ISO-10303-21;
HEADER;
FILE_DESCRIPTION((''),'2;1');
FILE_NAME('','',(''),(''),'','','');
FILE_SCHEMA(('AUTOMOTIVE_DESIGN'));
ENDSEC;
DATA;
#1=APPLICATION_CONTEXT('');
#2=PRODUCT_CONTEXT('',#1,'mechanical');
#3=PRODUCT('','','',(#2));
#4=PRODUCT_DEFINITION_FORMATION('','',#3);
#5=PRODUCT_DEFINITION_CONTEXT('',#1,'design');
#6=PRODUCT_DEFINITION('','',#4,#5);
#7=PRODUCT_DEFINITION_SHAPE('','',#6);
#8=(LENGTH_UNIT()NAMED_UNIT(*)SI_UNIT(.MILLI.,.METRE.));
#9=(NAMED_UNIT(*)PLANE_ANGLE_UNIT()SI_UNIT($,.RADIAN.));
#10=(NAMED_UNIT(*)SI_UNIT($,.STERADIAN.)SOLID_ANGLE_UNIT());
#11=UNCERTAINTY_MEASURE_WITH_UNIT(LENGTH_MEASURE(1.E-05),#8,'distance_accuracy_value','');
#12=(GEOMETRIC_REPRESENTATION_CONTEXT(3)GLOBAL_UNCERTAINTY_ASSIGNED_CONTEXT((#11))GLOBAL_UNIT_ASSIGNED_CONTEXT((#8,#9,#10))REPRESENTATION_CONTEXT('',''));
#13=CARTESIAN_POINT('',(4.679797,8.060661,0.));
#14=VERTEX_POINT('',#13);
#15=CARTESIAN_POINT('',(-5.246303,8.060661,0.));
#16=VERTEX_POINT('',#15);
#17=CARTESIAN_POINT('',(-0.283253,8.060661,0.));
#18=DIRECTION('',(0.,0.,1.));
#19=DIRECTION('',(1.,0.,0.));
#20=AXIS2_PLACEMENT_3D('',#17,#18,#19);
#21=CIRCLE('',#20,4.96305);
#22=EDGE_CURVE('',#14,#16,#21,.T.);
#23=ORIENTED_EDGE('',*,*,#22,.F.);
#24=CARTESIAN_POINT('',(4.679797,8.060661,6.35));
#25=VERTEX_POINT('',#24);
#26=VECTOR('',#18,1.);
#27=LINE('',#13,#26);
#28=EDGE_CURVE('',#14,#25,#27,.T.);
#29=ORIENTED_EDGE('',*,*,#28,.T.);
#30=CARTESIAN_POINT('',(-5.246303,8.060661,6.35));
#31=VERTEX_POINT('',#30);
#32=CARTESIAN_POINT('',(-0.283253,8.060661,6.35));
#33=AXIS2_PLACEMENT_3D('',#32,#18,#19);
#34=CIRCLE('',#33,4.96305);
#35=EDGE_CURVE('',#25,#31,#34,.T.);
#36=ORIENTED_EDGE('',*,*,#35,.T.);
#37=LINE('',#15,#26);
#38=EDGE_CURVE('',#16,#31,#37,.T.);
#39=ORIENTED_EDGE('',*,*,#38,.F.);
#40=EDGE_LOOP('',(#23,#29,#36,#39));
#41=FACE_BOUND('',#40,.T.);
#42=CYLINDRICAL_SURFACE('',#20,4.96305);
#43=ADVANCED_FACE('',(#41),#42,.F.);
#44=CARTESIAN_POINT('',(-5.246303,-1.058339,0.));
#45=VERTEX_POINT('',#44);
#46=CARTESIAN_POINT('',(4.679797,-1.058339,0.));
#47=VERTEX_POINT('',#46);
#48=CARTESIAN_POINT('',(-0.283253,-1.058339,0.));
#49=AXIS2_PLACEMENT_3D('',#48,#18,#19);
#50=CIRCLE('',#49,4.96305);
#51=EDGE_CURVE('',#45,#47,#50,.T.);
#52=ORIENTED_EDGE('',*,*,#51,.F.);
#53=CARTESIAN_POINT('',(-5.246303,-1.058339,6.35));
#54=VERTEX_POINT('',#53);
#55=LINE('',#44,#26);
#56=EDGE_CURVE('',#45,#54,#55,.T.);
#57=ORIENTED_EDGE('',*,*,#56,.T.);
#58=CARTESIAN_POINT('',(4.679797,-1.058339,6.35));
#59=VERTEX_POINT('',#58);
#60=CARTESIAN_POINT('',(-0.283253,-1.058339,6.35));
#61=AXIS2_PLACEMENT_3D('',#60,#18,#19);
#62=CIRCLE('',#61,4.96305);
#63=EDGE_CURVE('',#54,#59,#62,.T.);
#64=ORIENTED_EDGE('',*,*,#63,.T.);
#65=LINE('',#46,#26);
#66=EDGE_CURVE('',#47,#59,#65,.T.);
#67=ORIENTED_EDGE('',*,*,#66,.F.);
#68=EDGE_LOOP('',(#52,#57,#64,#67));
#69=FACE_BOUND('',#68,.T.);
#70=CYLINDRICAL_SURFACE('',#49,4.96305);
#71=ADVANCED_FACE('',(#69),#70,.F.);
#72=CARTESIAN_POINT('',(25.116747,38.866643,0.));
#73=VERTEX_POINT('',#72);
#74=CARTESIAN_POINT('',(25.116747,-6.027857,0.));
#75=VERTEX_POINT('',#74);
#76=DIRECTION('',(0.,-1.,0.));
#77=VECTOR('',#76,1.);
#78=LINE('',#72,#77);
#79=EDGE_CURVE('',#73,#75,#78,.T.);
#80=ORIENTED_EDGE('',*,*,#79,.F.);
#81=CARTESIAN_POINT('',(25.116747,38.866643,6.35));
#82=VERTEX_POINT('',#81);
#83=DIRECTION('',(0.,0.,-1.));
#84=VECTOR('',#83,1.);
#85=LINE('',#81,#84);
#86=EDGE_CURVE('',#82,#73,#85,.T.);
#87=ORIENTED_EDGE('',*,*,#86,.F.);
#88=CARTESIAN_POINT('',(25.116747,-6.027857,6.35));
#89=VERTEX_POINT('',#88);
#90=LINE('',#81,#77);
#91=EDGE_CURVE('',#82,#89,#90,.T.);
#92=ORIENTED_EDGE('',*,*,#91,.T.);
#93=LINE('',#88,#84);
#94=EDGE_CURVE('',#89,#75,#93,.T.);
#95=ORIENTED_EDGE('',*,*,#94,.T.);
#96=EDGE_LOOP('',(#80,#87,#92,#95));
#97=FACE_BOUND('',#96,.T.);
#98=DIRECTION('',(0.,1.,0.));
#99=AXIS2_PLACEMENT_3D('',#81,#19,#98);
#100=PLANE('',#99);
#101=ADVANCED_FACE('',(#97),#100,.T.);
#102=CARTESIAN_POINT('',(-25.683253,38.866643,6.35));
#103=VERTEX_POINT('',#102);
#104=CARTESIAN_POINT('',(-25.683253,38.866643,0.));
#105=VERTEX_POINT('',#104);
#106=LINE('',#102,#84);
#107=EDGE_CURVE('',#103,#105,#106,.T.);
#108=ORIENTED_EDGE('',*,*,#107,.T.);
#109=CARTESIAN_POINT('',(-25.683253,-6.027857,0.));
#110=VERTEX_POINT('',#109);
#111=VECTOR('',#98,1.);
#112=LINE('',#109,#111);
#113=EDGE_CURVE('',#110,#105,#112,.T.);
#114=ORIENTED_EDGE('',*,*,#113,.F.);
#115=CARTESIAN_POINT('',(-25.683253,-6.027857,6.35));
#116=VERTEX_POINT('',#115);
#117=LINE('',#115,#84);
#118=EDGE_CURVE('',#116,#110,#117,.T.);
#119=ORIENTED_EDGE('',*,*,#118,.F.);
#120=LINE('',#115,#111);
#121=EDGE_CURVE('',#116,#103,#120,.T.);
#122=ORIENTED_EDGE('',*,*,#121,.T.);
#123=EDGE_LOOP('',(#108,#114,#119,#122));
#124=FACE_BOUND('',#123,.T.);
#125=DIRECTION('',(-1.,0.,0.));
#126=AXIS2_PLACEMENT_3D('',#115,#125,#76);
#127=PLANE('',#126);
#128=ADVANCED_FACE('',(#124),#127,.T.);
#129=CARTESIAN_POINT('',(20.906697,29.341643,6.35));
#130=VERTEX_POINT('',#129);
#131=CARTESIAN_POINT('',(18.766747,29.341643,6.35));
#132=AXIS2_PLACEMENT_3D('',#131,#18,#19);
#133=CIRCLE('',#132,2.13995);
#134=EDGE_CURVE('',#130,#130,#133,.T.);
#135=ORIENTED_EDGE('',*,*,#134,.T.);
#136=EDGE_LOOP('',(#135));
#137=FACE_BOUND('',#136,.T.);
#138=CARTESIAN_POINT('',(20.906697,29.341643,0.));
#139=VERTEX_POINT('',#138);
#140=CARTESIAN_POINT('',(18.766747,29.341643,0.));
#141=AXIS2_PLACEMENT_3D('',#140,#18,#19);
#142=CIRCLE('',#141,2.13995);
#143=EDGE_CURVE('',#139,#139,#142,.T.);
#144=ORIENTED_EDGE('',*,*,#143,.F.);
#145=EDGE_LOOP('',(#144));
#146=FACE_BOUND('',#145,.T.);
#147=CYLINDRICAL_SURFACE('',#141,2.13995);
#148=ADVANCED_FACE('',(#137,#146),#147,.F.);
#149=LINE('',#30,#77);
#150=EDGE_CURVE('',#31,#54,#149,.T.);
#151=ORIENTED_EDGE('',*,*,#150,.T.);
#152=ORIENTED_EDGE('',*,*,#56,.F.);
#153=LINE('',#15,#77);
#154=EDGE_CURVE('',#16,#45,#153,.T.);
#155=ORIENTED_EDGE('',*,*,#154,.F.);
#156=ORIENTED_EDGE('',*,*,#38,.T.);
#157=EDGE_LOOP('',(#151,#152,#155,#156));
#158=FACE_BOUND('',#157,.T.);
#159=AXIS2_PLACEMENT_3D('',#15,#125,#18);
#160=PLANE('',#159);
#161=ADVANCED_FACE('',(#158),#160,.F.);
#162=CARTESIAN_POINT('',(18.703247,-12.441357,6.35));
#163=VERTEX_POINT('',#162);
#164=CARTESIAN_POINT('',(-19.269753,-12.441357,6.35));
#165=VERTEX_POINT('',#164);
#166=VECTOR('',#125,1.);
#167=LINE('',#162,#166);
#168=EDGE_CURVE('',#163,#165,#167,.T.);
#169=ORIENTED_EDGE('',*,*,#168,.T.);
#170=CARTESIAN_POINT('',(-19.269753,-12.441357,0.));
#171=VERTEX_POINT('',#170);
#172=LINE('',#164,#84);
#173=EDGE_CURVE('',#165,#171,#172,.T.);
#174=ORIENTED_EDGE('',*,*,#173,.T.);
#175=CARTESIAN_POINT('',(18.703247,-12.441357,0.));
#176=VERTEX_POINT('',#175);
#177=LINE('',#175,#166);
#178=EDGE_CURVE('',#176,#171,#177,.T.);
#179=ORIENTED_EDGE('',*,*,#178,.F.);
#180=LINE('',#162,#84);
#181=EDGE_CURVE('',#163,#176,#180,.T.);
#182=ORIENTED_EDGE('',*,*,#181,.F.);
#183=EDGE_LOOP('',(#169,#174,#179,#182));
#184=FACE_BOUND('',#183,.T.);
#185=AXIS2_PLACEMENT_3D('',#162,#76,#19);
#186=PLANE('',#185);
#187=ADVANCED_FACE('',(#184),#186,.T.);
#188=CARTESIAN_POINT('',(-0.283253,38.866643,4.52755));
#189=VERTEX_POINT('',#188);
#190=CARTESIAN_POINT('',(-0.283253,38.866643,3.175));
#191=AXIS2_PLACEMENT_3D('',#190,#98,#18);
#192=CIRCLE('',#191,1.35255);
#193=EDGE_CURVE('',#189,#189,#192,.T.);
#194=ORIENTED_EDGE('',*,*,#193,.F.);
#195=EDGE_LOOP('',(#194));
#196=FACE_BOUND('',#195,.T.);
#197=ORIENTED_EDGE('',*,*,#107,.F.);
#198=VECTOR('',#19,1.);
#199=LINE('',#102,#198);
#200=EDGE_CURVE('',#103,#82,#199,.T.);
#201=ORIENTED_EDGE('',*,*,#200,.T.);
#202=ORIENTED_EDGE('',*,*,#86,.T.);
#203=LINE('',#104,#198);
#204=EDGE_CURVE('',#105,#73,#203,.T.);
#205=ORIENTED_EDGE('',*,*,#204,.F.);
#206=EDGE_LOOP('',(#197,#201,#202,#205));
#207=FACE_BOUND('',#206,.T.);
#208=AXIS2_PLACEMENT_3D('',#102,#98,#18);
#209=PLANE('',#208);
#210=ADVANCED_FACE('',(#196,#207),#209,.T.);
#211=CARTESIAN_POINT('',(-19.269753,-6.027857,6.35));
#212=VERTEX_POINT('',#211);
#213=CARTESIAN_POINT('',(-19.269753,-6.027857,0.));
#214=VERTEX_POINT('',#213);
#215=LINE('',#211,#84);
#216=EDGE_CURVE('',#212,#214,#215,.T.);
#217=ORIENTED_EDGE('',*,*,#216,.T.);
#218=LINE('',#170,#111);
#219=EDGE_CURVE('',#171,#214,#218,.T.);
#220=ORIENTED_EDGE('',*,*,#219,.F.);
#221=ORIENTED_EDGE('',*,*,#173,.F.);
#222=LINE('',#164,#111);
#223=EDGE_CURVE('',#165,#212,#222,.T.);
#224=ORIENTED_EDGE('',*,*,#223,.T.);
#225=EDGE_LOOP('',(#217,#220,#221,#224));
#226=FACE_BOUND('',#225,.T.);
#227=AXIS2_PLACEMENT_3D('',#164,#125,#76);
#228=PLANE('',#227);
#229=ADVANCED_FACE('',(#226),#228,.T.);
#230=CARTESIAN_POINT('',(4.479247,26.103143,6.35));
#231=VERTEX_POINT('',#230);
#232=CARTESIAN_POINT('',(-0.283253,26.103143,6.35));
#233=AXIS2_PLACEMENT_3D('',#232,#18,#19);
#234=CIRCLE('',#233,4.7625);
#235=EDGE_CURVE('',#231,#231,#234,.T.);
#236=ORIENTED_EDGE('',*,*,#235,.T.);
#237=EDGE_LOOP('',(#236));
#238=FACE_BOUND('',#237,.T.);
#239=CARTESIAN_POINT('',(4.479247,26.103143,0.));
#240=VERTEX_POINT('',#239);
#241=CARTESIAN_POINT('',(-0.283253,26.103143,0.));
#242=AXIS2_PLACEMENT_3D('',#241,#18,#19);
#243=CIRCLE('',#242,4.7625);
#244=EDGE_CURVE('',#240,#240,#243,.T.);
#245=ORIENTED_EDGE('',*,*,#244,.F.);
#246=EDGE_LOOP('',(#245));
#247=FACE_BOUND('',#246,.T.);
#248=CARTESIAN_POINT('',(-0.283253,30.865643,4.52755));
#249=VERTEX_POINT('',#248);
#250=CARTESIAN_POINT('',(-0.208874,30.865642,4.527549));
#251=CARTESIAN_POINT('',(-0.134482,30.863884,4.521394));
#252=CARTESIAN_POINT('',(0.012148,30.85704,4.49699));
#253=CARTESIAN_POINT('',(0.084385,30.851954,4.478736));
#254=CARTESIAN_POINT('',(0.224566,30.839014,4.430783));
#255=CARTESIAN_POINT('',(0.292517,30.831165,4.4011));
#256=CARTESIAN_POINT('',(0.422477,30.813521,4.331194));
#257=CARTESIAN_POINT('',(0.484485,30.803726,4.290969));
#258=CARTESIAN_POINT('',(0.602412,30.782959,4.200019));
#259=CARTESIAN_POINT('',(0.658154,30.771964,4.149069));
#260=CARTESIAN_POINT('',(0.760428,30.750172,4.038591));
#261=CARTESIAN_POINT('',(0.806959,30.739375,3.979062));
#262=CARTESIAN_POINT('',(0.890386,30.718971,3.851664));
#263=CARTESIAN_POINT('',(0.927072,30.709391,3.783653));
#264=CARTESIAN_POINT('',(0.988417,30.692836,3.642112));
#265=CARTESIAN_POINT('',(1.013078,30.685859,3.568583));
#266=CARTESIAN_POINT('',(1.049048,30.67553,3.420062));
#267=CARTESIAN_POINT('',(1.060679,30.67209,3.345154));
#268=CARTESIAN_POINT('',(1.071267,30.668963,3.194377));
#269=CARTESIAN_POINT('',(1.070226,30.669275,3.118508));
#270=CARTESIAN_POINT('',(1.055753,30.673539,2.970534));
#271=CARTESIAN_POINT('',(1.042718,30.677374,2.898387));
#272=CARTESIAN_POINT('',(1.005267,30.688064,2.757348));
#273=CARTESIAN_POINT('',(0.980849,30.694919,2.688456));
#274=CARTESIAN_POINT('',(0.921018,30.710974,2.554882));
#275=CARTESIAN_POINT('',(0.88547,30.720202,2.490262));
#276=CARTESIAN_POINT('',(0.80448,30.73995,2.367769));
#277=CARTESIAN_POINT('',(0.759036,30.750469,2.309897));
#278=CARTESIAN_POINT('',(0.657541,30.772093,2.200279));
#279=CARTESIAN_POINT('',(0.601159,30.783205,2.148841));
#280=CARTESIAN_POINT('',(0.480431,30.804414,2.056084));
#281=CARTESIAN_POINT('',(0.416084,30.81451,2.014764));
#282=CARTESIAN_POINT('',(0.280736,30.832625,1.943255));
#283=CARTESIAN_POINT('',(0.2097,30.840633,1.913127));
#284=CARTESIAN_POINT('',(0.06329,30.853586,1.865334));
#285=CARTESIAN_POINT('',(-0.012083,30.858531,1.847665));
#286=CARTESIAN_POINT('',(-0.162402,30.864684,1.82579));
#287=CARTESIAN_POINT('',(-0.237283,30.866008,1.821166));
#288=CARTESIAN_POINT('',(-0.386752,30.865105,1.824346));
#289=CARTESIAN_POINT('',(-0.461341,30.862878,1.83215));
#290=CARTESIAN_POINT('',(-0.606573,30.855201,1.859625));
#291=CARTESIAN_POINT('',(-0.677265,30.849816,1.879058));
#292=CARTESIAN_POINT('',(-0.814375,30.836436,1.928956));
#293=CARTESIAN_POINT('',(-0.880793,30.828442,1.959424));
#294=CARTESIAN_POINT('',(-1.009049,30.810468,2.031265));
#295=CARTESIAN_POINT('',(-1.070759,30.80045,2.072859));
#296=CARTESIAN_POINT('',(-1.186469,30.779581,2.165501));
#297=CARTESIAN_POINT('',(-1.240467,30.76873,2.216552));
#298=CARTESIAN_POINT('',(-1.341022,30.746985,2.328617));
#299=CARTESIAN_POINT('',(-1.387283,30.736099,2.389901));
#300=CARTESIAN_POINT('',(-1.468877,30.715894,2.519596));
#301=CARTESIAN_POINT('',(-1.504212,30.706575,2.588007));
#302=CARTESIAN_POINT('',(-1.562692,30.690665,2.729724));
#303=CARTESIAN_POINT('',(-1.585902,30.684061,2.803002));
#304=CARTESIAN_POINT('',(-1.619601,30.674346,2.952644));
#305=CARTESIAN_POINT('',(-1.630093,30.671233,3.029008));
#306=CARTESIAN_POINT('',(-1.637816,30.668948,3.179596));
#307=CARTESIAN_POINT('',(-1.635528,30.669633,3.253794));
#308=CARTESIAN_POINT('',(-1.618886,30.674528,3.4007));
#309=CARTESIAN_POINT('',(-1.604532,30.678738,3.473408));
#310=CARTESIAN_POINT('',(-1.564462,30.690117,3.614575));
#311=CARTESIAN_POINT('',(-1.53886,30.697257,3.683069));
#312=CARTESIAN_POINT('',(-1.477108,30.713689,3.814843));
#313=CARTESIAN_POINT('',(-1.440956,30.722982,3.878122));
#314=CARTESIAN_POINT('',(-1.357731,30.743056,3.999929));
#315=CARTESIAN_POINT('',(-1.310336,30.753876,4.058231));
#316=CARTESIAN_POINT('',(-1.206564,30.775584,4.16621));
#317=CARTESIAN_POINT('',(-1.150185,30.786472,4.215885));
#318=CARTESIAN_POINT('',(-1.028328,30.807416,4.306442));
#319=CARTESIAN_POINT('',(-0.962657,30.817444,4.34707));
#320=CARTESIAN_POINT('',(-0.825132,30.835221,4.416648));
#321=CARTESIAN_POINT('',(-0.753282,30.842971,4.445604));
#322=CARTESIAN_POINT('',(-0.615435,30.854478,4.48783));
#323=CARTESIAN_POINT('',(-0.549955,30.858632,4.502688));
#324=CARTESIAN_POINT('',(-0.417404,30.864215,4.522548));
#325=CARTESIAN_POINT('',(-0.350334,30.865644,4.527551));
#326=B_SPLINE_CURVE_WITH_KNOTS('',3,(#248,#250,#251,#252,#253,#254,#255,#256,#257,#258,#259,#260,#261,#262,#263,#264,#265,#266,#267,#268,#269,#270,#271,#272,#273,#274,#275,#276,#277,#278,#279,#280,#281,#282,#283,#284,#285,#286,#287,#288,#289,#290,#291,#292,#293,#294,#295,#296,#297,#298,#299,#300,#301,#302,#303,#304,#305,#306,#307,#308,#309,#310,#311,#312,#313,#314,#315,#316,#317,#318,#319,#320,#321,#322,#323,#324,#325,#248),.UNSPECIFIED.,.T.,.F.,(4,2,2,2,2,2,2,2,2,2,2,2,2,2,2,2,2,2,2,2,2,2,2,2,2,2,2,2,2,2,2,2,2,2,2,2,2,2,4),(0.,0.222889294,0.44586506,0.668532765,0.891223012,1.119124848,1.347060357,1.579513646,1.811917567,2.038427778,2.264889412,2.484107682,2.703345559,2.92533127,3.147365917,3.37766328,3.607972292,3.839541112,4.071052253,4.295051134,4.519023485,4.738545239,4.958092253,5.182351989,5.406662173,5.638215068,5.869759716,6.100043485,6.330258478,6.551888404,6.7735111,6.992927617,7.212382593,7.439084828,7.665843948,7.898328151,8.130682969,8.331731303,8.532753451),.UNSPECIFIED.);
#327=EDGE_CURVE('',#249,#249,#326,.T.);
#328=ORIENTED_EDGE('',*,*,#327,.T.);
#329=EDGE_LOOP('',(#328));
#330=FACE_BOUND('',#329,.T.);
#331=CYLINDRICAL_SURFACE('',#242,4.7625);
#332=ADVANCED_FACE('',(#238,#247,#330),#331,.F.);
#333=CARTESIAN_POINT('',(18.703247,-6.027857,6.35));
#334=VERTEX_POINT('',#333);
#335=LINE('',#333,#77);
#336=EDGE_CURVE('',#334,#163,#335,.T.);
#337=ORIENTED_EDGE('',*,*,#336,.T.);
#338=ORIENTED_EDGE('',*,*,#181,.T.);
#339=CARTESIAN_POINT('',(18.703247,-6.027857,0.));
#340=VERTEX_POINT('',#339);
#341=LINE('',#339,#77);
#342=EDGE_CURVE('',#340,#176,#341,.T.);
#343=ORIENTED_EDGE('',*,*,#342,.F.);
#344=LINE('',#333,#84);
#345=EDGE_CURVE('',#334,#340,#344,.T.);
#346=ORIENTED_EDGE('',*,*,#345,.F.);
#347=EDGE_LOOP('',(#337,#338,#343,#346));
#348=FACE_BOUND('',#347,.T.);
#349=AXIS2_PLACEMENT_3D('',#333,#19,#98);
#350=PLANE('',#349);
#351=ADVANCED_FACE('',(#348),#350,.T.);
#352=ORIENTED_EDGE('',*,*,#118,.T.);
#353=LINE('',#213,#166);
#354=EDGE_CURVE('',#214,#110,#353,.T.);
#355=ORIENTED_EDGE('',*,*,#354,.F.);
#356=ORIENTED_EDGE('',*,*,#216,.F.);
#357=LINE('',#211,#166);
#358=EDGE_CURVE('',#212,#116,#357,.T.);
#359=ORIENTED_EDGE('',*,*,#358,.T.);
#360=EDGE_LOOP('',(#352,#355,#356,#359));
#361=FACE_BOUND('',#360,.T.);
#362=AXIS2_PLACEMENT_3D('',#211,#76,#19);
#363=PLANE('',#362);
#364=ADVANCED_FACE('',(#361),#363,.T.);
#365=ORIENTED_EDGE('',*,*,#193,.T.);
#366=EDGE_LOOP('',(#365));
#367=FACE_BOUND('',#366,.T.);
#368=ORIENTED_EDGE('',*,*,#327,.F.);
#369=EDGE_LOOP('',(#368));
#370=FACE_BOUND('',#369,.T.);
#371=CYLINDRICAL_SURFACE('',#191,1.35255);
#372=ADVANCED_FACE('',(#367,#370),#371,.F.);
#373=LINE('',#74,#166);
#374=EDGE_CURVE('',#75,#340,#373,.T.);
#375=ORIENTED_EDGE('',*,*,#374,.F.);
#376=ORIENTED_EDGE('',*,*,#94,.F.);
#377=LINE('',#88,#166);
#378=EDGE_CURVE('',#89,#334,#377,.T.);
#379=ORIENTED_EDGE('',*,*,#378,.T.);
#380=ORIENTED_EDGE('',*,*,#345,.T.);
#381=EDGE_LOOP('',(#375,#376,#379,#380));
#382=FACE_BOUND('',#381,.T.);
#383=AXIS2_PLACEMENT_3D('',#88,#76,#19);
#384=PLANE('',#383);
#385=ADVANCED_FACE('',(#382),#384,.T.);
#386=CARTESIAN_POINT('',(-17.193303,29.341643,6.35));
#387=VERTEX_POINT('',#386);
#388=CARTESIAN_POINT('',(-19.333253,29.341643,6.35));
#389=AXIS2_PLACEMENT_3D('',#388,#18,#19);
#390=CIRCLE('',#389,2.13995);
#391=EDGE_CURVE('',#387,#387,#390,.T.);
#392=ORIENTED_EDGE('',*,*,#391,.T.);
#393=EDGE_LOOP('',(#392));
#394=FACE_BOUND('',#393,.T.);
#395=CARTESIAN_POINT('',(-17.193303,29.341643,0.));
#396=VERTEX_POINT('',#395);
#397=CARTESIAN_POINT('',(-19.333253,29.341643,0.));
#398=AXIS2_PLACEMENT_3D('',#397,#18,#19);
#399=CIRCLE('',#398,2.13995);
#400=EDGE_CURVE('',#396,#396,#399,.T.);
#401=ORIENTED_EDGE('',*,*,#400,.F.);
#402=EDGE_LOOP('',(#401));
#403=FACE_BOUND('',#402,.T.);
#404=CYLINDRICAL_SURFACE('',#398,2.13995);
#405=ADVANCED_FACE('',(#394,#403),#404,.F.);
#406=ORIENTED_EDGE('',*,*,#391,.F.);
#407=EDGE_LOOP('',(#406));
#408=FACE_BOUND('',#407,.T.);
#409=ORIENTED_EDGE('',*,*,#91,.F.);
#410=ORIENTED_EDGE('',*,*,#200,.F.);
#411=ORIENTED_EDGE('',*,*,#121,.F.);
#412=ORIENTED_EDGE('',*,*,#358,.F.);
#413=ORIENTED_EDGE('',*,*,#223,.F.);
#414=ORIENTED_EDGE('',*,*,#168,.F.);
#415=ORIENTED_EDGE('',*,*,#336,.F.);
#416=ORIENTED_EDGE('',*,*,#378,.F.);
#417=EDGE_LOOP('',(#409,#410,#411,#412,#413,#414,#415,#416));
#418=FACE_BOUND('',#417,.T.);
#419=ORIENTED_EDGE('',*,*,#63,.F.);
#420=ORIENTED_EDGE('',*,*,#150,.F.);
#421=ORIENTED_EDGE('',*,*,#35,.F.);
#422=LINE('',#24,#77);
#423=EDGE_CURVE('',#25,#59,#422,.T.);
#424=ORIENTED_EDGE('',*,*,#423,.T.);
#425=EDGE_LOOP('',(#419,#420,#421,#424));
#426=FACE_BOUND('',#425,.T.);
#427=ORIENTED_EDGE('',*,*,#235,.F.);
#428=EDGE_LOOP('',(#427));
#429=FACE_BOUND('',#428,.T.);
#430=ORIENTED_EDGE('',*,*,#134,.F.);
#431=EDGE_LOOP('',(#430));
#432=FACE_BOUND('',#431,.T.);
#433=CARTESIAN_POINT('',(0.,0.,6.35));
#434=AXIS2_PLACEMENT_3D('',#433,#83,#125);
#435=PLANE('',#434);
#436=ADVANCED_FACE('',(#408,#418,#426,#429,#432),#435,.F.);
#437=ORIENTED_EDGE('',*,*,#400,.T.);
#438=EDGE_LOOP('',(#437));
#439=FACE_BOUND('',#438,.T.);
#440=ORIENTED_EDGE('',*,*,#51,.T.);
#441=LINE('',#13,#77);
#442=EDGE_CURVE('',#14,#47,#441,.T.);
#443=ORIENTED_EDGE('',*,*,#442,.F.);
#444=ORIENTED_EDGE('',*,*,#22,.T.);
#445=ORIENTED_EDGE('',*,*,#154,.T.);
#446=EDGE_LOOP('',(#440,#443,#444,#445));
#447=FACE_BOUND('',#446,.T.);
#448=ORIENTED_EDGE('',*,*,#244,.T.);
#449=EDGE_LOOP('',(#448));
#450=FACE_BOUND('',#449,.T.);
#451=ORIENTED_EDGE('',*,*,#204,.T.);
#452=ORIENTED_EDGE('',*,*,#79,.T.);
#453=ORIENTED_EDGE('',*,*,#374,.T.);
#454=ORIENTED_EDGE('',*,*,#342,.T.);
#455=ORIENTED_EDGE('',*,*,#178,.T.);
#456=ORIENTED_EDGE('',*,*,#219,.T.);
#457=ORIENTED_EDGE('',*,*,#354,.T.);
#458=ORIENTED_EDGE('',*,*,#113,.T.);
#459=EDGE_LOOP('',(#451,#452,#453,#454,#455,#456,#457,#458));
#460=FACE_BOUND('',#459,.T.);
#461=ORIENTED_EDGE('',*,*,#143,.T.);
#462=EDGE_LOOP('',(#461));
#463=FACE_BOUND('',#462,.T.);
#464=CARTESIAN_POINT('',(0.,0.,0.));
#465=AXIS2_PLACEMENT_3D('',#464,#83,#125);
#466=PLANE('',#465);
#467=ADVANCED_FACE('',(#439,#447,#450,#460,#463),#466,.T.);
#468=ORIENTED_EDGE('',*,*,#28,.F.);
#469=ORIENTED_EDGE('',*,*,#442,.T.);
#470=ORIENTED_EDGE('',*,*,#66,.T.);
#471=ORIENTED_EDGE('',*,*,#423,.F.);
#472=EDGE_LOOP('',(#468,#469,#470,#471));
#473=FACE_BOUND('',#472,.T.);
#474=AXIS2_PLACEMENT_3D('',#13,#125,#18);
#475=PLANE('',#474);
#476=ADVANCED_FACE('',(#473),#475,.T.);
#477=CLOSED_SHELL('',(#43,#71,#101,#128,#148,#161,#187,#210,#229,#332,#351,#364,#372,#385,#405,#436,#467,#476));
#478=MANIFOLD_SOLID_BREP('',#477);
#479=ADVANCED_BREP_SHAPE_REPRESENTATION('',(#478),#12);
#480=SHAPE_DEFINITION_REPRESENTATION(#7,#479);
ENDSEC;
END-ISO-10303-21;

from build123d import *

# Parameters (mm, degrees)
BOSS_EXTRUDE1_DEPTH        = 6.35
SKETCH2_R                  = 4.7625
CUT_EXTRUDE1_DEPTH         = 6.35
SKETCH3_R                  = 2.13995
CUT_EXTRUDE2_DEPTH         = 6.35
CUT_EXTRUDE4_DEPTH         = 6.35
F_6_32_TAPPED_HOLE1_REACH  = 59.727
F_6_32_TAPPED_HOLE1_BORE_R = 1.35255


with BuildPart() as part:
    # Sketch1 → Boss-Extrude1 (new body)
    with BuildSketch(Plane.XY):
        Polygon((-25.683252906, 38.866643011), (25.116747094, 38.866643011), (25.116747094, -6.027856989), (18.703247094, -6.027856989), (18.703247094, -12.441356989), (-19.269752906, -12.441356989), (-19.269752906, -6.027856989), (-25.683252906, -6.027856989), align=None)
    extrude(amount=BOSS_EXTRUDE1_DEPTH)

    # Sketch2 → Cut-Extrude1 (cut)
    with BuildSketch(Plane.XY.offset(6.35)):
        with Locations((-0.283252906, 26.103143011)):
            Circle(SKETCH2_R)
    extrude(amount=-CUT_EXTRUDE1_DEPTH, mode=Mode.SUBTRACT)

    # Sketch3 → Cut-Extrude2 (cut)
    with BuildSketch(Plane.XY.offset(6.35)):
        with Locations((-19.333252906, 29.341643011)):
            Circle(SKETCH3_R)
        with Locations((18.766747094, 29.341643011)):
            Circle(SKETCH3_R)
    extrude(amount=-CUT_EXTRUDE2_DEPTH, mode=Mode.SUBTRACT)

    # Sketch6 → Cut-Extrude4 (cut)
    with BuildSketch(Plane.XY.offset(6.35)):
        with BuildLine():
            Line((4.679797411, 8.060661082), (4.679797411, -1.058338959))
            ThreePointArc((4.679797411, -1.058338959), (-0.283252906, -6.021389275), (-5.246303222, -1.058338959))
            Line((-5.246303222, -1.058338959), (-5.246303222, 8.060661082))
            ThreePointArc((-5.246303222, 8.060661082), (-0.283252906, 13.023711398), (4.679797411, 8.060661082))
        make_face()
    extrude(amount=-CUT_EXTRUDE4_DEPTH, mode=Mode.SUBTRACT)

    # #6-32 Tapped Hole1 bore → #6-32 Tapped Hole1 (cut, up to next)
    with BuildSketch(Plane(origin=(0, 38.866643011, 0), x_dir=(1, 0, 0), z_dir=(0, 1, 0)), mode=Mode.PRIVATE) as f_6_32_tapped_hole1_sk1:
        with Locations((-0.283252906, -3.175)):
            Circle(F_6_32_TAPPED_HOLE1_BORE_R)
    f_6_32_tapped_hole1_tool1 = extrude(f_6_32_tapped_hole1_sk1.sketch, amount=-F_6_32_TAPPED_HOLE1_REACH, mode=Mode.PRIVATE) & part.part
    add(f_6_32_tapped_hole1_tool1.solids().sort_by_distance((-0.283253, 38.866643, 3.175))[0], mode=Mode.SUBTRACT)


solid = part.part
